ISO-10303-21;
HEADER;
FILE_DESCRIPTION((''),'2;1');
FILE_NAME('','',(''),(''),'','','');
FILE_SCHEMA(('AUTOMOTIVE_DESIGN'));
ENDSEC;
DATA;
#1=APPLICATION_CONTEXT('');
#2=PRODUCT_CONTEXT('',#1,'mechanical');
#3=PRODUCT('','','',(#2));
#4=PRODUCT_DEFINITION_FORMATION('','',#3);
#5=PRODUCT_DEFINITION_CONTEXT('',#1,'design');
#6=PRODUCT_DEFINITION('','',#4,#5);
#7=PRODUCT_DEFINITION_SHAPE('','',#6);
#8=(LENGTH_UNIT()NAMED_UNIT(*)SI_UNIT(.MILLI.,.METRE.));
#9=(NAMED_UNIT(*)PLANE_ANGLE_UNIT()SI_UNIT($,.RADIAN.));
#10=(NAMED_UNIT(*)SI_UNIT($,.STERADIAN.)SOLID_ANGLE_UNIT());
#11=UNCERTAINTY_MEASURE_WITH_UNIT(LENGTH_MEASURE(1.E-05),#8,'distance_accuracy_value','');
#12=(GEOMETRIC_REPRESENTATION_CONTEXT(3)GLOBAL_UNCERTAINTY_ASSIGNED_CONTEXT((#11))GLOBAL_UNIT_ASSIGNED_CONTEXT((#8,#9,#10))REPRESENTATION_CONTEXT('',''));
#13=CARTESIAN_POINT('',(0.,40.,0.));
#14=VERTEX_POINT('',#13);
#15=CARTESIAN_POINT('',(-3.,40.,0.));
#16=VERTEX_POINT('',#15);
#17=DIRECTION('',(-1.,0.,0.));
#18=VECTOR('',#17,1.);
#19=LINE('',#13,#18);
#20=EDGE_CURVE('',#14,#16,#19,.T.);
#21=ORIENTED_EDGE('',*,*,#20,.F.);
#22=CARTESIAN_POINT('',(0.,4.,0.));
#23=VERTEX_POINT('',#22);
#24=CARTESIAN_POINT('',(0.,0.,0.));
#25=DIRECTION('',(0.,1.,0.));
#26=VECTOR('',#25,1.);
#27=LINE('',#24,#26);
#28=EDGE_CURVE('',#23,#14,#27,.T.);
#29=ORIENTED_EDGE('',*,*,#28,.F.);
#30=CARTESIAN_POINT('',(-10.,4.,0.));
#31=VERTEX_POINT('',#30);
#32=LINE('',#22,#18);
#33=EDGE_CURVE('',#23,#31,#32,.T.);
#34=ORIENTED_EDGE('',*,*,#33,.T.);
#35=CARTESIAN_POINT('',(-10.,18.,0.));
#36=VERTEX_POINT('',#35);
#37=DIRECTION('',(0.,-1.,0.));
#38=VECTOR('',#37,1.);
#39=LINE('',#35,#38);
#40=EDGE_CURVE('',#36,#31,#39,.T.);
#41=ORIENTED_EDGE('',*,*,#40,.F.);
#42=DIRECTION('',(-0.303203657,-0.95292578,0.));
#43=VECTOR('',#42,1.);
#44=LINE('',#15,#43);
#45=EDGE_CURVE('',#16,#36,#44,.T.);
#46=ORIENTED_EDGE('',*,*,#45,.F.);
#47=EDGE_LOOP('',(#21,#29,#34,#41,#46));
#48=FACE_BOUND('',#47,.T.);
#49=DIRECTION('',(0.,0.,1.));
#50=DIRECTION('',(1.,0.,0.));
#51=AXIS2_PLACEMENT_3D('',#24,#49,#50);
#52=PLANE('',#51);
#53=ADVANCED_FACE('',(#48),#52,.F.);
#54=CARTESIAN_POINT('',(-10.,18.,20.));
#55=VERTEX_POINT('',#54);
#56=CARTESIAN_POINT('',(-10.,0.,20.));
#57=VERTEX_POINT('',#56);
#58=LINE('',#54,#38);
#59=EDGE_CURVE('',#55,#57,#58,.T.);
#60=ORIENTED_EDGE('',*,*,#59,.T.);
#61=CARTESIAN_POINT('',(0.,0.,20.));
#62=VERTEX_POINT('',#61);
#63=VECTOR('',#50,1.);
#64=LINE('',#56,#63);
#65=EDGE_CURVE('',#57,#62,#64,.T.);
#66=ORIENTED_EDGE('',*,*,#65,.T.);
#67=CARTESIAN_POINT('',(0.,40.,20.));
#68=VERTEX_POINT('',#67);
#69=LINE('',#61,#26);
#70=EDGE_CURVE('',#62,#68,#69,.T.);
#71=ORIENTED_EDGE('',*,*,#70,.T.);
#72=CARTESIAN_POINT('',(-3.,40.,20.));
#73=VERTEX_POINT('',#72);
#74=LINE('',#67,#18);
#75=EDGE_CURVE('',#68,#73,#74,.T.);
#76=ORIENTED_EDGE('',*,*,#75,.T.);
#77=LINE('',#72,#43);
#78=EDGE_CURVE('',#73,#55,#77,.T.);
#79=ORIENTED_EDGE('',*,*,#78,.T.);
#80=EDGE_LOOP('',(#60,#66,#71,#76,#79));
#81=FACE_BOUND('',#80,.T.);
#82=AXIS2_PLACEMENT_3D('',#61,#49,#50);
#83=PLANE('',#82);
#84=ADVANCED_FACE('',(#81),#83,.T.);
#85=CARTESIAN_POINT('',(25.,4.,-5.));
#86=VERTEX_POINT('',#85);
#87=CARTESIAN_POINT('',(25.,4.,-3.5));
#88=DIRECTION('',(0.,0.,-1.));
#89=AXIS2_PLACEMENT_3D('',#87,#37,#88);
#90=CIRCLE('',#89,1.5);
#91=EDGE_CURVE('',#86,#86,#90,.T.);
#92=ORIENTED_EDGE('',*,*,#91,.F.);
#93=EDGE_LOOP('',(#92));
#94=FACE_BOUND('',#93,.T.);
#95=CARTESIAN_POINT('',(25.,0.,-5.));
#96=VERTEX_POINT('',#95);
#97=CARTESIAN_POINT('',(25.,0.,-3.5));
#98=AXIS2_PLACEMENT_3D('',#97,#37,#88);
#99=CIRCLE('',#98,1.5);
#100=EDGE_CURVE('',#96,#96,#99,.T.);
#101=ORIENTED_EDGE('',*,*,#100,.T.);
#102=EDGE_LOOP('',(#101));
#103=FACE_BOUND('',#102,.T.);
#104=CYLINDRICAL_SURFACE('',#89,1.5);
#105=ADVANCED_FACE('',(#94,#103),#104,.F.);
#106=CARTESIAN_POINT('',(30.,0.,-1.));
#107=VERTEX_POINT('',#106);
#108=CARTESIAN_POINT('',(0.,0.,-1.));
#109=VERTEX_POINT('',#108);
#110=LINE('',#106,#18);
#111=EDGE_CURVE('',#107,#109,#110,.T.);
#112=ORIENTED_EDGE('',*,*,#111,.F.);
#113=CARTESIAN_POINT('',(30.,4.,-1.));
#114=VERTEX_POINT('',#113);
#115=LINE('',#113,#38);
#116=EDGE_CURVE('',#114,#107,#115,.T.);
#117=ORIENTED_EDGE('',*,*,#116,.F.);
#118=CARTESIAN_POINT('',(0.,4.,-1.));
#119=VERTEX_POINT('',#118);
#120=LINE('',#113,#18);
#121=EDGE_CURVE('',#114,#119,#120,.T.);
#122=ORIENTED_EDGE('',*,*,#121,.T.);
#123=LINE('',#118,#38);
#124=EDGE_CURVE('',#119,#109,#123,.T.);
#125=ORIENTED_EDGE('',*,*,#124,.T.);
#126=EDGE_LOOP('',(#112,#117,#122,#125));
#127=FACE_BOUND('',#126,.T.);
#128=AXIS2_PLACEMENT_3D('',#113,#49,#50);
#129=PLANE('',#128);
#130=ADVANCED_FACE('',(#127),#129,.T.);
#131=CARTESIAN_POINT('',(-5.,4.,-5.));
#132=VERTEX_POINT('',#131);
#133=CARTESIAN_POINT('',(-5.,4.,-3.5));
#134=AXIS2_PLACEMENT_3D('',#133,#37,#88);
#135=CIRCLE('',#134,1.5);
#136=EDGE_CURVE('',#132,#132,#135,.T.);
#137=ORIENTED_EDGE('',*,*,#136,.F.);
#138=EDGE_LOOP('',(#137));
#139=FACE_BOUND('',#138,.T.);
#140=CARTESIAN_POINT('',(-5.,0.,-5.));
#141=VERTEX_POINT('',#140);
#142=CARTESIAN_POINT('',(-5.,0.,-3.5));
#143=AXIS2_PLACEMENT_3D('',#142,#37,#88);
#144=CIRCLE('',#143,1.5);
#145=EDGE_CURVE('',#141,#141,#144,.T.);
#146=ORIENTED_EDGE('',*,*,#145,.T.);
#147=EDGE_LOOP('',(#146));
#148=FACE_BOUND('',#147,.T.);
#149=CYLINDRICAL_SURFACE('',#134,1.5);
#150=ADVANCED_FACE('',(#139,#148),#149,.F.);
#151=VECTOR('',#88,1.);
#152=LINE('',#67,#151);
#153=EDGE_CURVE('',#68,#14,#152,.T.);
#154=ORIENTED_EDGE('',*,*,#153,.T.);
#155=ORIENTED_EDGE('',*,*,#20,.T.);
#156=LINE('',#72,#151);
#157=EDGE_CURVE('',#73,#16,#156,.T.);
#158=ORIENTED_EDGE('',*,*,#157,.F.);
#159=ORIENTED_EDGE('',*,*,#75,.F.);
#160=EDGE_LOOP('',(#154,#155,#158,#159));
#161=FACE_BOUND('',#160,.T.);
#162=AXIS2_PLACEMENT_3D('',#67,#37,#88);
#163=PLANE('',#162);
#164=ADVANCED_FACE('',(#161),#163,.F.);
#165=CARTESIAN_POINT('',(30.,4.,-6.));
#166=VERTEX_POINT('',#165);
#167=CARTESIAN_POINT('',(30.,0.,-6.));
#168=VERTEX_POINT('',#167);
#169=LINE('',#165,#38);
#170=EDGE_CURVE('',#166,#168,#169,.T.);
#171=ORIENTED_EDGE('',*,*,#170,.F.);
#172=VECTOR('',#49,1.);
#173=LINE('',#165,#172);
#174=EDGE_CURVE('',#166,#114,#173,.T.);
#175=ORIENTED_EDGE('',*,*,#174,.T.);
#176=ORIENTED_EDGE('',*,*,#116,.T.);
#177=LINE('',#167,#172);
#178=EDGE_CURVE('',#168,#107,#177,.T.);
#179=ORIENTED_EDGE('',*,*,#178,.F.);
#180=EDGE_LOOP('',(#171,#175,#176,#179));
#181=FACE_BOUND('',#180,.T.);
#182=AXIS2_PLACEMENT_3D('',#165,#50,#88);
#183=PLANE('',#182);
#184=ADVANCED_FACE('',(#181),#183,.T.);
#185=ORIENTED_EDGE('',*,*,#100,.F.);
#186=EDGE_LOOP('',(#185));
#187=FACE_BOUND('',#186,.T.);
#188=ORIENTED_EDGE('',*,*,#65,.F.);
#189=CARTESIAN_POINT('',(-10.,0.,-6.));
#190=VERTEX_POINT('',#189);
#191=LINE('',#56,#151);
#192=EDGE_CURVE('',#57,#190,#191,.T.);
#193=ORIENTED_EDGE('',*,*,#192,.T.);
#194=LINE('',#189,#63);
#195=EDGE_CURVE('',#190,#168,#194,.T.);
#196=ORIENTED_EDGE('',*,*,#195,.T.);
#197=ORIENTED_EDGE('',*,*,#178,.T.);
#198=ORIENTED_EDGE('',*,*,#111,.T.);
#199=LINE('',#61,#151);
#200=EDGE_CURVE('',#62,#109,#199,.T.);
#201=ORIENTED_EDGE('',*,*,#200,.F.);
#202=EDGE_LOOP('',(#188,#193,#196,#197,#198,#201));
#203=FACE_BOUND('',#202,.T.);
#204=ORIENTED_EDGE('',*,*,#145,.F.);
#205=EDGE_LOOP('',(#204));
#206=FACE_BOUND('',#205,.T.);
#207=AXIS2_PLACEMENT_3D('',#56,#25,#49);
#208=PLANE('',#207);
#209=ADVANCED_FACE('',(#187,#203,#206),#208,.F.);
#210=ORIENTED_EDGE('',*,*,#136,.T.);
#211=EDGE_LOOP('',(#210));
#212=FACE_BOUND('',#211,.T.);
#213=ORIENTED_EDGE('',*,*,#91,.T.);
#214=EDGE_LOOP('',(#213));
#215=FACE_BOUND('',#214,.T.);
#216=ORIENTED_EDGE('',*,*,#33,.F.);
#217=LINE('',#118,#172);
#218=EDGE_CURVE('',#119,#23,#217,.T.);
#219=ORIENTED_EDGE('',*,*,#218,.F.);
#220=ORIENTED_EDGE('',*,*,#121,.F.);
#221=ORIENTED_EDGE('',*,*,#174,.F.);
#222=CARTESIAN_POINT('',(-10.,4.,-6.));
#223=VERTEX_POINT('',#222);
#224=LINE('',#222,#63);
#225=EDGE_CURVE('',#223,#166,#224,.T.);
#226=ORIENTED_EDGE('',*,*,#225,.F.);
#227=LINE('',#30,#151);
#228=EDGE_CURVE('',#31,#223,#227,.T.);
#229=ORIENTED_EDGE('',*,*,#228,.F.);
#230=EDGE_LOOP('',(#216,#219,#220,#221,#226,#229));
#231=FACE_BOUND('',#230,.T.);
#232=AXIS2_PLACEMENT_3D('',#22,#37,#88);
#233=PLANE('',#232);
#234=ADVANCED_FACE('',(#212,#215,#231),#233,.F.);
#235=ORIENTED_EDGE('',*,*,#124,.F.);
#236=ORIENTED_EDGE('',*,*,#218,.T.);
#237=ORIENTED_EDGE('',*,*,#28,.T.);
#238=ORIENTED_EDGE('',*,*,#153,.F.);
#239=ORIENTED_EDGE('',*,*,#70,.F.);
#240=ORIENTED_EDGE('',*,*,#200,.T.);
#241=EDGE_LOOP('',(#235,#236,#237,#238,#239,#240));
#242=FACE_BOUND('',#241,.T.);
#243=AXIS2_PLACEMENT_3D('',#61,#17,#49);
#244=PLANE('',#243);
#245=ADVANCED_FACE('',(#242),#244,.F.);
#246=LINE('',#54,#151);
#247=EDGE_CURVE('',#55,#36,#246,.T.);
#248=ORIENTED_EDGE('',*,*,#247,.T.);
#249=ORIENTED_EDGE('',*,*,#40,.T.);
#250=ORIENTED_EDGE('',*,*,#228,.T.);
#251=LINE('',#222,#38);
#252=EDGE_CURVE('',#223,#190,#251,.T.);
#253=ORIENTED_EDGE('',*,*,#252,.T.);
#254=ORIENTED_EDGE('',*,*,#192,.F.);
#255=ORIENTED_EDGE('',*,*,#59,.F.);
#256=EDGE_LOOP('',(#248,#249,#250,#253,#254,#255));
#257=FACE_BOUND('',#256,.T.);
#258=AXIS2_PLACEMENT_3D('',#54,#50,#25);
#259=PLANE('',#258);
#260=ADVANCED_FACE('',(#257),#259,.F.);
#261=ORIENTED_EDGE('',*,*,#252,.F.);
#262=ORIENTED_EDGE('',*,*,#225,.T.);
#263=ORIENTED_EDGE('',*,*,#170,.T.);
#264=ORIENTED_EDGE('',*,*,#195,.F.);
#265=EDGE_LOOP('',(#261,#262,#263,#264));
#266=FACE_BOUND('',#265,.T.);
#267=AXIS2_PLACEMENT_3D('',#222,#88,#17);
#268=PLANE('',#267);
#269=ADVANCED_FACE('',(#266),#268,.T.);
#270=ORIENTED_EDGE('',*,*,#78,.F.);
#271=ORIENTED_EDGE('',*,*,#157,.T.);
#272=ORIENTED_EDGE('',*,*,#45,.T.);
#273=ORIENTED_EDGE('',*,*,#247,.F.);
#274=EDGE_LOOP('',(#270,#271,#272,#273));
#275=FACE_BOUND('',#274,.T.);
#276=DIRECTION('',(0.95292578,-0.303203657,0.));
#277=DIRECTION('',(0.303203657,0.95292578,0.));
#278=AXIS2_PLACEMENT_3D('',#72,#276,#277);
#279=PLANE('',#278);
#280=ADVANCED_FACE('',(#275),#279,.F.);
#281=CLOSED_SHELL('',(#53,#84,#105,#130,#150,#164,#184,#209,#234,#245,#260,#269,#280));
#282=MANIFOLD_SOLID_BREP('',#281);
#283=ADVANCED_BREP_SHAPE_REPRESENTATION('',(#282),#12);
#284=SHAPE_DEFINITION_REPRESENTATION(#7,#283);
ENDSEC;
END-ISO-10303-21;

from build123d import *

# Parameters (mm, degrees)
BOSS_EXTRUDE1_DEPTH = 20
SKETCH2_R           = 1.5
BOSS_EXTRUDE2_DEPTH = 4


with BuildPart() as part:
    # Sketch1 → Boss-Extrude1 (new body)
    with BuildSketch(Plane.XY):
        Polygon((0, 0), (0, 40), (-3, 40), (-10, 18), (-10, 0), align=None)
    extrude(amount=BOSS_EXTRUDE1_DEPTH)

    # Sketch2 → Boss-Extrude2 (add)
    with BuildSketch(Plane.XZ):
        Polygon((-10, 0), (-10, -6), (30, -6), (30, -1), (0, -1), (0, 0), align=None)
        with Locations(Location((25, -3.5, 0), (0, 0, 270))):
            Circle(SKETCH2_R, mode=Mode.SUBTRACT)
        with Locations(Location((-5, -3.5, 0), (0, 0, 270))):
            Circle(SKETCH2_R, mode=Mode.SUBTRACT)
    extrude(amount=-BOSS_EXTRUDE2_DEPTH)


solid = part.part
